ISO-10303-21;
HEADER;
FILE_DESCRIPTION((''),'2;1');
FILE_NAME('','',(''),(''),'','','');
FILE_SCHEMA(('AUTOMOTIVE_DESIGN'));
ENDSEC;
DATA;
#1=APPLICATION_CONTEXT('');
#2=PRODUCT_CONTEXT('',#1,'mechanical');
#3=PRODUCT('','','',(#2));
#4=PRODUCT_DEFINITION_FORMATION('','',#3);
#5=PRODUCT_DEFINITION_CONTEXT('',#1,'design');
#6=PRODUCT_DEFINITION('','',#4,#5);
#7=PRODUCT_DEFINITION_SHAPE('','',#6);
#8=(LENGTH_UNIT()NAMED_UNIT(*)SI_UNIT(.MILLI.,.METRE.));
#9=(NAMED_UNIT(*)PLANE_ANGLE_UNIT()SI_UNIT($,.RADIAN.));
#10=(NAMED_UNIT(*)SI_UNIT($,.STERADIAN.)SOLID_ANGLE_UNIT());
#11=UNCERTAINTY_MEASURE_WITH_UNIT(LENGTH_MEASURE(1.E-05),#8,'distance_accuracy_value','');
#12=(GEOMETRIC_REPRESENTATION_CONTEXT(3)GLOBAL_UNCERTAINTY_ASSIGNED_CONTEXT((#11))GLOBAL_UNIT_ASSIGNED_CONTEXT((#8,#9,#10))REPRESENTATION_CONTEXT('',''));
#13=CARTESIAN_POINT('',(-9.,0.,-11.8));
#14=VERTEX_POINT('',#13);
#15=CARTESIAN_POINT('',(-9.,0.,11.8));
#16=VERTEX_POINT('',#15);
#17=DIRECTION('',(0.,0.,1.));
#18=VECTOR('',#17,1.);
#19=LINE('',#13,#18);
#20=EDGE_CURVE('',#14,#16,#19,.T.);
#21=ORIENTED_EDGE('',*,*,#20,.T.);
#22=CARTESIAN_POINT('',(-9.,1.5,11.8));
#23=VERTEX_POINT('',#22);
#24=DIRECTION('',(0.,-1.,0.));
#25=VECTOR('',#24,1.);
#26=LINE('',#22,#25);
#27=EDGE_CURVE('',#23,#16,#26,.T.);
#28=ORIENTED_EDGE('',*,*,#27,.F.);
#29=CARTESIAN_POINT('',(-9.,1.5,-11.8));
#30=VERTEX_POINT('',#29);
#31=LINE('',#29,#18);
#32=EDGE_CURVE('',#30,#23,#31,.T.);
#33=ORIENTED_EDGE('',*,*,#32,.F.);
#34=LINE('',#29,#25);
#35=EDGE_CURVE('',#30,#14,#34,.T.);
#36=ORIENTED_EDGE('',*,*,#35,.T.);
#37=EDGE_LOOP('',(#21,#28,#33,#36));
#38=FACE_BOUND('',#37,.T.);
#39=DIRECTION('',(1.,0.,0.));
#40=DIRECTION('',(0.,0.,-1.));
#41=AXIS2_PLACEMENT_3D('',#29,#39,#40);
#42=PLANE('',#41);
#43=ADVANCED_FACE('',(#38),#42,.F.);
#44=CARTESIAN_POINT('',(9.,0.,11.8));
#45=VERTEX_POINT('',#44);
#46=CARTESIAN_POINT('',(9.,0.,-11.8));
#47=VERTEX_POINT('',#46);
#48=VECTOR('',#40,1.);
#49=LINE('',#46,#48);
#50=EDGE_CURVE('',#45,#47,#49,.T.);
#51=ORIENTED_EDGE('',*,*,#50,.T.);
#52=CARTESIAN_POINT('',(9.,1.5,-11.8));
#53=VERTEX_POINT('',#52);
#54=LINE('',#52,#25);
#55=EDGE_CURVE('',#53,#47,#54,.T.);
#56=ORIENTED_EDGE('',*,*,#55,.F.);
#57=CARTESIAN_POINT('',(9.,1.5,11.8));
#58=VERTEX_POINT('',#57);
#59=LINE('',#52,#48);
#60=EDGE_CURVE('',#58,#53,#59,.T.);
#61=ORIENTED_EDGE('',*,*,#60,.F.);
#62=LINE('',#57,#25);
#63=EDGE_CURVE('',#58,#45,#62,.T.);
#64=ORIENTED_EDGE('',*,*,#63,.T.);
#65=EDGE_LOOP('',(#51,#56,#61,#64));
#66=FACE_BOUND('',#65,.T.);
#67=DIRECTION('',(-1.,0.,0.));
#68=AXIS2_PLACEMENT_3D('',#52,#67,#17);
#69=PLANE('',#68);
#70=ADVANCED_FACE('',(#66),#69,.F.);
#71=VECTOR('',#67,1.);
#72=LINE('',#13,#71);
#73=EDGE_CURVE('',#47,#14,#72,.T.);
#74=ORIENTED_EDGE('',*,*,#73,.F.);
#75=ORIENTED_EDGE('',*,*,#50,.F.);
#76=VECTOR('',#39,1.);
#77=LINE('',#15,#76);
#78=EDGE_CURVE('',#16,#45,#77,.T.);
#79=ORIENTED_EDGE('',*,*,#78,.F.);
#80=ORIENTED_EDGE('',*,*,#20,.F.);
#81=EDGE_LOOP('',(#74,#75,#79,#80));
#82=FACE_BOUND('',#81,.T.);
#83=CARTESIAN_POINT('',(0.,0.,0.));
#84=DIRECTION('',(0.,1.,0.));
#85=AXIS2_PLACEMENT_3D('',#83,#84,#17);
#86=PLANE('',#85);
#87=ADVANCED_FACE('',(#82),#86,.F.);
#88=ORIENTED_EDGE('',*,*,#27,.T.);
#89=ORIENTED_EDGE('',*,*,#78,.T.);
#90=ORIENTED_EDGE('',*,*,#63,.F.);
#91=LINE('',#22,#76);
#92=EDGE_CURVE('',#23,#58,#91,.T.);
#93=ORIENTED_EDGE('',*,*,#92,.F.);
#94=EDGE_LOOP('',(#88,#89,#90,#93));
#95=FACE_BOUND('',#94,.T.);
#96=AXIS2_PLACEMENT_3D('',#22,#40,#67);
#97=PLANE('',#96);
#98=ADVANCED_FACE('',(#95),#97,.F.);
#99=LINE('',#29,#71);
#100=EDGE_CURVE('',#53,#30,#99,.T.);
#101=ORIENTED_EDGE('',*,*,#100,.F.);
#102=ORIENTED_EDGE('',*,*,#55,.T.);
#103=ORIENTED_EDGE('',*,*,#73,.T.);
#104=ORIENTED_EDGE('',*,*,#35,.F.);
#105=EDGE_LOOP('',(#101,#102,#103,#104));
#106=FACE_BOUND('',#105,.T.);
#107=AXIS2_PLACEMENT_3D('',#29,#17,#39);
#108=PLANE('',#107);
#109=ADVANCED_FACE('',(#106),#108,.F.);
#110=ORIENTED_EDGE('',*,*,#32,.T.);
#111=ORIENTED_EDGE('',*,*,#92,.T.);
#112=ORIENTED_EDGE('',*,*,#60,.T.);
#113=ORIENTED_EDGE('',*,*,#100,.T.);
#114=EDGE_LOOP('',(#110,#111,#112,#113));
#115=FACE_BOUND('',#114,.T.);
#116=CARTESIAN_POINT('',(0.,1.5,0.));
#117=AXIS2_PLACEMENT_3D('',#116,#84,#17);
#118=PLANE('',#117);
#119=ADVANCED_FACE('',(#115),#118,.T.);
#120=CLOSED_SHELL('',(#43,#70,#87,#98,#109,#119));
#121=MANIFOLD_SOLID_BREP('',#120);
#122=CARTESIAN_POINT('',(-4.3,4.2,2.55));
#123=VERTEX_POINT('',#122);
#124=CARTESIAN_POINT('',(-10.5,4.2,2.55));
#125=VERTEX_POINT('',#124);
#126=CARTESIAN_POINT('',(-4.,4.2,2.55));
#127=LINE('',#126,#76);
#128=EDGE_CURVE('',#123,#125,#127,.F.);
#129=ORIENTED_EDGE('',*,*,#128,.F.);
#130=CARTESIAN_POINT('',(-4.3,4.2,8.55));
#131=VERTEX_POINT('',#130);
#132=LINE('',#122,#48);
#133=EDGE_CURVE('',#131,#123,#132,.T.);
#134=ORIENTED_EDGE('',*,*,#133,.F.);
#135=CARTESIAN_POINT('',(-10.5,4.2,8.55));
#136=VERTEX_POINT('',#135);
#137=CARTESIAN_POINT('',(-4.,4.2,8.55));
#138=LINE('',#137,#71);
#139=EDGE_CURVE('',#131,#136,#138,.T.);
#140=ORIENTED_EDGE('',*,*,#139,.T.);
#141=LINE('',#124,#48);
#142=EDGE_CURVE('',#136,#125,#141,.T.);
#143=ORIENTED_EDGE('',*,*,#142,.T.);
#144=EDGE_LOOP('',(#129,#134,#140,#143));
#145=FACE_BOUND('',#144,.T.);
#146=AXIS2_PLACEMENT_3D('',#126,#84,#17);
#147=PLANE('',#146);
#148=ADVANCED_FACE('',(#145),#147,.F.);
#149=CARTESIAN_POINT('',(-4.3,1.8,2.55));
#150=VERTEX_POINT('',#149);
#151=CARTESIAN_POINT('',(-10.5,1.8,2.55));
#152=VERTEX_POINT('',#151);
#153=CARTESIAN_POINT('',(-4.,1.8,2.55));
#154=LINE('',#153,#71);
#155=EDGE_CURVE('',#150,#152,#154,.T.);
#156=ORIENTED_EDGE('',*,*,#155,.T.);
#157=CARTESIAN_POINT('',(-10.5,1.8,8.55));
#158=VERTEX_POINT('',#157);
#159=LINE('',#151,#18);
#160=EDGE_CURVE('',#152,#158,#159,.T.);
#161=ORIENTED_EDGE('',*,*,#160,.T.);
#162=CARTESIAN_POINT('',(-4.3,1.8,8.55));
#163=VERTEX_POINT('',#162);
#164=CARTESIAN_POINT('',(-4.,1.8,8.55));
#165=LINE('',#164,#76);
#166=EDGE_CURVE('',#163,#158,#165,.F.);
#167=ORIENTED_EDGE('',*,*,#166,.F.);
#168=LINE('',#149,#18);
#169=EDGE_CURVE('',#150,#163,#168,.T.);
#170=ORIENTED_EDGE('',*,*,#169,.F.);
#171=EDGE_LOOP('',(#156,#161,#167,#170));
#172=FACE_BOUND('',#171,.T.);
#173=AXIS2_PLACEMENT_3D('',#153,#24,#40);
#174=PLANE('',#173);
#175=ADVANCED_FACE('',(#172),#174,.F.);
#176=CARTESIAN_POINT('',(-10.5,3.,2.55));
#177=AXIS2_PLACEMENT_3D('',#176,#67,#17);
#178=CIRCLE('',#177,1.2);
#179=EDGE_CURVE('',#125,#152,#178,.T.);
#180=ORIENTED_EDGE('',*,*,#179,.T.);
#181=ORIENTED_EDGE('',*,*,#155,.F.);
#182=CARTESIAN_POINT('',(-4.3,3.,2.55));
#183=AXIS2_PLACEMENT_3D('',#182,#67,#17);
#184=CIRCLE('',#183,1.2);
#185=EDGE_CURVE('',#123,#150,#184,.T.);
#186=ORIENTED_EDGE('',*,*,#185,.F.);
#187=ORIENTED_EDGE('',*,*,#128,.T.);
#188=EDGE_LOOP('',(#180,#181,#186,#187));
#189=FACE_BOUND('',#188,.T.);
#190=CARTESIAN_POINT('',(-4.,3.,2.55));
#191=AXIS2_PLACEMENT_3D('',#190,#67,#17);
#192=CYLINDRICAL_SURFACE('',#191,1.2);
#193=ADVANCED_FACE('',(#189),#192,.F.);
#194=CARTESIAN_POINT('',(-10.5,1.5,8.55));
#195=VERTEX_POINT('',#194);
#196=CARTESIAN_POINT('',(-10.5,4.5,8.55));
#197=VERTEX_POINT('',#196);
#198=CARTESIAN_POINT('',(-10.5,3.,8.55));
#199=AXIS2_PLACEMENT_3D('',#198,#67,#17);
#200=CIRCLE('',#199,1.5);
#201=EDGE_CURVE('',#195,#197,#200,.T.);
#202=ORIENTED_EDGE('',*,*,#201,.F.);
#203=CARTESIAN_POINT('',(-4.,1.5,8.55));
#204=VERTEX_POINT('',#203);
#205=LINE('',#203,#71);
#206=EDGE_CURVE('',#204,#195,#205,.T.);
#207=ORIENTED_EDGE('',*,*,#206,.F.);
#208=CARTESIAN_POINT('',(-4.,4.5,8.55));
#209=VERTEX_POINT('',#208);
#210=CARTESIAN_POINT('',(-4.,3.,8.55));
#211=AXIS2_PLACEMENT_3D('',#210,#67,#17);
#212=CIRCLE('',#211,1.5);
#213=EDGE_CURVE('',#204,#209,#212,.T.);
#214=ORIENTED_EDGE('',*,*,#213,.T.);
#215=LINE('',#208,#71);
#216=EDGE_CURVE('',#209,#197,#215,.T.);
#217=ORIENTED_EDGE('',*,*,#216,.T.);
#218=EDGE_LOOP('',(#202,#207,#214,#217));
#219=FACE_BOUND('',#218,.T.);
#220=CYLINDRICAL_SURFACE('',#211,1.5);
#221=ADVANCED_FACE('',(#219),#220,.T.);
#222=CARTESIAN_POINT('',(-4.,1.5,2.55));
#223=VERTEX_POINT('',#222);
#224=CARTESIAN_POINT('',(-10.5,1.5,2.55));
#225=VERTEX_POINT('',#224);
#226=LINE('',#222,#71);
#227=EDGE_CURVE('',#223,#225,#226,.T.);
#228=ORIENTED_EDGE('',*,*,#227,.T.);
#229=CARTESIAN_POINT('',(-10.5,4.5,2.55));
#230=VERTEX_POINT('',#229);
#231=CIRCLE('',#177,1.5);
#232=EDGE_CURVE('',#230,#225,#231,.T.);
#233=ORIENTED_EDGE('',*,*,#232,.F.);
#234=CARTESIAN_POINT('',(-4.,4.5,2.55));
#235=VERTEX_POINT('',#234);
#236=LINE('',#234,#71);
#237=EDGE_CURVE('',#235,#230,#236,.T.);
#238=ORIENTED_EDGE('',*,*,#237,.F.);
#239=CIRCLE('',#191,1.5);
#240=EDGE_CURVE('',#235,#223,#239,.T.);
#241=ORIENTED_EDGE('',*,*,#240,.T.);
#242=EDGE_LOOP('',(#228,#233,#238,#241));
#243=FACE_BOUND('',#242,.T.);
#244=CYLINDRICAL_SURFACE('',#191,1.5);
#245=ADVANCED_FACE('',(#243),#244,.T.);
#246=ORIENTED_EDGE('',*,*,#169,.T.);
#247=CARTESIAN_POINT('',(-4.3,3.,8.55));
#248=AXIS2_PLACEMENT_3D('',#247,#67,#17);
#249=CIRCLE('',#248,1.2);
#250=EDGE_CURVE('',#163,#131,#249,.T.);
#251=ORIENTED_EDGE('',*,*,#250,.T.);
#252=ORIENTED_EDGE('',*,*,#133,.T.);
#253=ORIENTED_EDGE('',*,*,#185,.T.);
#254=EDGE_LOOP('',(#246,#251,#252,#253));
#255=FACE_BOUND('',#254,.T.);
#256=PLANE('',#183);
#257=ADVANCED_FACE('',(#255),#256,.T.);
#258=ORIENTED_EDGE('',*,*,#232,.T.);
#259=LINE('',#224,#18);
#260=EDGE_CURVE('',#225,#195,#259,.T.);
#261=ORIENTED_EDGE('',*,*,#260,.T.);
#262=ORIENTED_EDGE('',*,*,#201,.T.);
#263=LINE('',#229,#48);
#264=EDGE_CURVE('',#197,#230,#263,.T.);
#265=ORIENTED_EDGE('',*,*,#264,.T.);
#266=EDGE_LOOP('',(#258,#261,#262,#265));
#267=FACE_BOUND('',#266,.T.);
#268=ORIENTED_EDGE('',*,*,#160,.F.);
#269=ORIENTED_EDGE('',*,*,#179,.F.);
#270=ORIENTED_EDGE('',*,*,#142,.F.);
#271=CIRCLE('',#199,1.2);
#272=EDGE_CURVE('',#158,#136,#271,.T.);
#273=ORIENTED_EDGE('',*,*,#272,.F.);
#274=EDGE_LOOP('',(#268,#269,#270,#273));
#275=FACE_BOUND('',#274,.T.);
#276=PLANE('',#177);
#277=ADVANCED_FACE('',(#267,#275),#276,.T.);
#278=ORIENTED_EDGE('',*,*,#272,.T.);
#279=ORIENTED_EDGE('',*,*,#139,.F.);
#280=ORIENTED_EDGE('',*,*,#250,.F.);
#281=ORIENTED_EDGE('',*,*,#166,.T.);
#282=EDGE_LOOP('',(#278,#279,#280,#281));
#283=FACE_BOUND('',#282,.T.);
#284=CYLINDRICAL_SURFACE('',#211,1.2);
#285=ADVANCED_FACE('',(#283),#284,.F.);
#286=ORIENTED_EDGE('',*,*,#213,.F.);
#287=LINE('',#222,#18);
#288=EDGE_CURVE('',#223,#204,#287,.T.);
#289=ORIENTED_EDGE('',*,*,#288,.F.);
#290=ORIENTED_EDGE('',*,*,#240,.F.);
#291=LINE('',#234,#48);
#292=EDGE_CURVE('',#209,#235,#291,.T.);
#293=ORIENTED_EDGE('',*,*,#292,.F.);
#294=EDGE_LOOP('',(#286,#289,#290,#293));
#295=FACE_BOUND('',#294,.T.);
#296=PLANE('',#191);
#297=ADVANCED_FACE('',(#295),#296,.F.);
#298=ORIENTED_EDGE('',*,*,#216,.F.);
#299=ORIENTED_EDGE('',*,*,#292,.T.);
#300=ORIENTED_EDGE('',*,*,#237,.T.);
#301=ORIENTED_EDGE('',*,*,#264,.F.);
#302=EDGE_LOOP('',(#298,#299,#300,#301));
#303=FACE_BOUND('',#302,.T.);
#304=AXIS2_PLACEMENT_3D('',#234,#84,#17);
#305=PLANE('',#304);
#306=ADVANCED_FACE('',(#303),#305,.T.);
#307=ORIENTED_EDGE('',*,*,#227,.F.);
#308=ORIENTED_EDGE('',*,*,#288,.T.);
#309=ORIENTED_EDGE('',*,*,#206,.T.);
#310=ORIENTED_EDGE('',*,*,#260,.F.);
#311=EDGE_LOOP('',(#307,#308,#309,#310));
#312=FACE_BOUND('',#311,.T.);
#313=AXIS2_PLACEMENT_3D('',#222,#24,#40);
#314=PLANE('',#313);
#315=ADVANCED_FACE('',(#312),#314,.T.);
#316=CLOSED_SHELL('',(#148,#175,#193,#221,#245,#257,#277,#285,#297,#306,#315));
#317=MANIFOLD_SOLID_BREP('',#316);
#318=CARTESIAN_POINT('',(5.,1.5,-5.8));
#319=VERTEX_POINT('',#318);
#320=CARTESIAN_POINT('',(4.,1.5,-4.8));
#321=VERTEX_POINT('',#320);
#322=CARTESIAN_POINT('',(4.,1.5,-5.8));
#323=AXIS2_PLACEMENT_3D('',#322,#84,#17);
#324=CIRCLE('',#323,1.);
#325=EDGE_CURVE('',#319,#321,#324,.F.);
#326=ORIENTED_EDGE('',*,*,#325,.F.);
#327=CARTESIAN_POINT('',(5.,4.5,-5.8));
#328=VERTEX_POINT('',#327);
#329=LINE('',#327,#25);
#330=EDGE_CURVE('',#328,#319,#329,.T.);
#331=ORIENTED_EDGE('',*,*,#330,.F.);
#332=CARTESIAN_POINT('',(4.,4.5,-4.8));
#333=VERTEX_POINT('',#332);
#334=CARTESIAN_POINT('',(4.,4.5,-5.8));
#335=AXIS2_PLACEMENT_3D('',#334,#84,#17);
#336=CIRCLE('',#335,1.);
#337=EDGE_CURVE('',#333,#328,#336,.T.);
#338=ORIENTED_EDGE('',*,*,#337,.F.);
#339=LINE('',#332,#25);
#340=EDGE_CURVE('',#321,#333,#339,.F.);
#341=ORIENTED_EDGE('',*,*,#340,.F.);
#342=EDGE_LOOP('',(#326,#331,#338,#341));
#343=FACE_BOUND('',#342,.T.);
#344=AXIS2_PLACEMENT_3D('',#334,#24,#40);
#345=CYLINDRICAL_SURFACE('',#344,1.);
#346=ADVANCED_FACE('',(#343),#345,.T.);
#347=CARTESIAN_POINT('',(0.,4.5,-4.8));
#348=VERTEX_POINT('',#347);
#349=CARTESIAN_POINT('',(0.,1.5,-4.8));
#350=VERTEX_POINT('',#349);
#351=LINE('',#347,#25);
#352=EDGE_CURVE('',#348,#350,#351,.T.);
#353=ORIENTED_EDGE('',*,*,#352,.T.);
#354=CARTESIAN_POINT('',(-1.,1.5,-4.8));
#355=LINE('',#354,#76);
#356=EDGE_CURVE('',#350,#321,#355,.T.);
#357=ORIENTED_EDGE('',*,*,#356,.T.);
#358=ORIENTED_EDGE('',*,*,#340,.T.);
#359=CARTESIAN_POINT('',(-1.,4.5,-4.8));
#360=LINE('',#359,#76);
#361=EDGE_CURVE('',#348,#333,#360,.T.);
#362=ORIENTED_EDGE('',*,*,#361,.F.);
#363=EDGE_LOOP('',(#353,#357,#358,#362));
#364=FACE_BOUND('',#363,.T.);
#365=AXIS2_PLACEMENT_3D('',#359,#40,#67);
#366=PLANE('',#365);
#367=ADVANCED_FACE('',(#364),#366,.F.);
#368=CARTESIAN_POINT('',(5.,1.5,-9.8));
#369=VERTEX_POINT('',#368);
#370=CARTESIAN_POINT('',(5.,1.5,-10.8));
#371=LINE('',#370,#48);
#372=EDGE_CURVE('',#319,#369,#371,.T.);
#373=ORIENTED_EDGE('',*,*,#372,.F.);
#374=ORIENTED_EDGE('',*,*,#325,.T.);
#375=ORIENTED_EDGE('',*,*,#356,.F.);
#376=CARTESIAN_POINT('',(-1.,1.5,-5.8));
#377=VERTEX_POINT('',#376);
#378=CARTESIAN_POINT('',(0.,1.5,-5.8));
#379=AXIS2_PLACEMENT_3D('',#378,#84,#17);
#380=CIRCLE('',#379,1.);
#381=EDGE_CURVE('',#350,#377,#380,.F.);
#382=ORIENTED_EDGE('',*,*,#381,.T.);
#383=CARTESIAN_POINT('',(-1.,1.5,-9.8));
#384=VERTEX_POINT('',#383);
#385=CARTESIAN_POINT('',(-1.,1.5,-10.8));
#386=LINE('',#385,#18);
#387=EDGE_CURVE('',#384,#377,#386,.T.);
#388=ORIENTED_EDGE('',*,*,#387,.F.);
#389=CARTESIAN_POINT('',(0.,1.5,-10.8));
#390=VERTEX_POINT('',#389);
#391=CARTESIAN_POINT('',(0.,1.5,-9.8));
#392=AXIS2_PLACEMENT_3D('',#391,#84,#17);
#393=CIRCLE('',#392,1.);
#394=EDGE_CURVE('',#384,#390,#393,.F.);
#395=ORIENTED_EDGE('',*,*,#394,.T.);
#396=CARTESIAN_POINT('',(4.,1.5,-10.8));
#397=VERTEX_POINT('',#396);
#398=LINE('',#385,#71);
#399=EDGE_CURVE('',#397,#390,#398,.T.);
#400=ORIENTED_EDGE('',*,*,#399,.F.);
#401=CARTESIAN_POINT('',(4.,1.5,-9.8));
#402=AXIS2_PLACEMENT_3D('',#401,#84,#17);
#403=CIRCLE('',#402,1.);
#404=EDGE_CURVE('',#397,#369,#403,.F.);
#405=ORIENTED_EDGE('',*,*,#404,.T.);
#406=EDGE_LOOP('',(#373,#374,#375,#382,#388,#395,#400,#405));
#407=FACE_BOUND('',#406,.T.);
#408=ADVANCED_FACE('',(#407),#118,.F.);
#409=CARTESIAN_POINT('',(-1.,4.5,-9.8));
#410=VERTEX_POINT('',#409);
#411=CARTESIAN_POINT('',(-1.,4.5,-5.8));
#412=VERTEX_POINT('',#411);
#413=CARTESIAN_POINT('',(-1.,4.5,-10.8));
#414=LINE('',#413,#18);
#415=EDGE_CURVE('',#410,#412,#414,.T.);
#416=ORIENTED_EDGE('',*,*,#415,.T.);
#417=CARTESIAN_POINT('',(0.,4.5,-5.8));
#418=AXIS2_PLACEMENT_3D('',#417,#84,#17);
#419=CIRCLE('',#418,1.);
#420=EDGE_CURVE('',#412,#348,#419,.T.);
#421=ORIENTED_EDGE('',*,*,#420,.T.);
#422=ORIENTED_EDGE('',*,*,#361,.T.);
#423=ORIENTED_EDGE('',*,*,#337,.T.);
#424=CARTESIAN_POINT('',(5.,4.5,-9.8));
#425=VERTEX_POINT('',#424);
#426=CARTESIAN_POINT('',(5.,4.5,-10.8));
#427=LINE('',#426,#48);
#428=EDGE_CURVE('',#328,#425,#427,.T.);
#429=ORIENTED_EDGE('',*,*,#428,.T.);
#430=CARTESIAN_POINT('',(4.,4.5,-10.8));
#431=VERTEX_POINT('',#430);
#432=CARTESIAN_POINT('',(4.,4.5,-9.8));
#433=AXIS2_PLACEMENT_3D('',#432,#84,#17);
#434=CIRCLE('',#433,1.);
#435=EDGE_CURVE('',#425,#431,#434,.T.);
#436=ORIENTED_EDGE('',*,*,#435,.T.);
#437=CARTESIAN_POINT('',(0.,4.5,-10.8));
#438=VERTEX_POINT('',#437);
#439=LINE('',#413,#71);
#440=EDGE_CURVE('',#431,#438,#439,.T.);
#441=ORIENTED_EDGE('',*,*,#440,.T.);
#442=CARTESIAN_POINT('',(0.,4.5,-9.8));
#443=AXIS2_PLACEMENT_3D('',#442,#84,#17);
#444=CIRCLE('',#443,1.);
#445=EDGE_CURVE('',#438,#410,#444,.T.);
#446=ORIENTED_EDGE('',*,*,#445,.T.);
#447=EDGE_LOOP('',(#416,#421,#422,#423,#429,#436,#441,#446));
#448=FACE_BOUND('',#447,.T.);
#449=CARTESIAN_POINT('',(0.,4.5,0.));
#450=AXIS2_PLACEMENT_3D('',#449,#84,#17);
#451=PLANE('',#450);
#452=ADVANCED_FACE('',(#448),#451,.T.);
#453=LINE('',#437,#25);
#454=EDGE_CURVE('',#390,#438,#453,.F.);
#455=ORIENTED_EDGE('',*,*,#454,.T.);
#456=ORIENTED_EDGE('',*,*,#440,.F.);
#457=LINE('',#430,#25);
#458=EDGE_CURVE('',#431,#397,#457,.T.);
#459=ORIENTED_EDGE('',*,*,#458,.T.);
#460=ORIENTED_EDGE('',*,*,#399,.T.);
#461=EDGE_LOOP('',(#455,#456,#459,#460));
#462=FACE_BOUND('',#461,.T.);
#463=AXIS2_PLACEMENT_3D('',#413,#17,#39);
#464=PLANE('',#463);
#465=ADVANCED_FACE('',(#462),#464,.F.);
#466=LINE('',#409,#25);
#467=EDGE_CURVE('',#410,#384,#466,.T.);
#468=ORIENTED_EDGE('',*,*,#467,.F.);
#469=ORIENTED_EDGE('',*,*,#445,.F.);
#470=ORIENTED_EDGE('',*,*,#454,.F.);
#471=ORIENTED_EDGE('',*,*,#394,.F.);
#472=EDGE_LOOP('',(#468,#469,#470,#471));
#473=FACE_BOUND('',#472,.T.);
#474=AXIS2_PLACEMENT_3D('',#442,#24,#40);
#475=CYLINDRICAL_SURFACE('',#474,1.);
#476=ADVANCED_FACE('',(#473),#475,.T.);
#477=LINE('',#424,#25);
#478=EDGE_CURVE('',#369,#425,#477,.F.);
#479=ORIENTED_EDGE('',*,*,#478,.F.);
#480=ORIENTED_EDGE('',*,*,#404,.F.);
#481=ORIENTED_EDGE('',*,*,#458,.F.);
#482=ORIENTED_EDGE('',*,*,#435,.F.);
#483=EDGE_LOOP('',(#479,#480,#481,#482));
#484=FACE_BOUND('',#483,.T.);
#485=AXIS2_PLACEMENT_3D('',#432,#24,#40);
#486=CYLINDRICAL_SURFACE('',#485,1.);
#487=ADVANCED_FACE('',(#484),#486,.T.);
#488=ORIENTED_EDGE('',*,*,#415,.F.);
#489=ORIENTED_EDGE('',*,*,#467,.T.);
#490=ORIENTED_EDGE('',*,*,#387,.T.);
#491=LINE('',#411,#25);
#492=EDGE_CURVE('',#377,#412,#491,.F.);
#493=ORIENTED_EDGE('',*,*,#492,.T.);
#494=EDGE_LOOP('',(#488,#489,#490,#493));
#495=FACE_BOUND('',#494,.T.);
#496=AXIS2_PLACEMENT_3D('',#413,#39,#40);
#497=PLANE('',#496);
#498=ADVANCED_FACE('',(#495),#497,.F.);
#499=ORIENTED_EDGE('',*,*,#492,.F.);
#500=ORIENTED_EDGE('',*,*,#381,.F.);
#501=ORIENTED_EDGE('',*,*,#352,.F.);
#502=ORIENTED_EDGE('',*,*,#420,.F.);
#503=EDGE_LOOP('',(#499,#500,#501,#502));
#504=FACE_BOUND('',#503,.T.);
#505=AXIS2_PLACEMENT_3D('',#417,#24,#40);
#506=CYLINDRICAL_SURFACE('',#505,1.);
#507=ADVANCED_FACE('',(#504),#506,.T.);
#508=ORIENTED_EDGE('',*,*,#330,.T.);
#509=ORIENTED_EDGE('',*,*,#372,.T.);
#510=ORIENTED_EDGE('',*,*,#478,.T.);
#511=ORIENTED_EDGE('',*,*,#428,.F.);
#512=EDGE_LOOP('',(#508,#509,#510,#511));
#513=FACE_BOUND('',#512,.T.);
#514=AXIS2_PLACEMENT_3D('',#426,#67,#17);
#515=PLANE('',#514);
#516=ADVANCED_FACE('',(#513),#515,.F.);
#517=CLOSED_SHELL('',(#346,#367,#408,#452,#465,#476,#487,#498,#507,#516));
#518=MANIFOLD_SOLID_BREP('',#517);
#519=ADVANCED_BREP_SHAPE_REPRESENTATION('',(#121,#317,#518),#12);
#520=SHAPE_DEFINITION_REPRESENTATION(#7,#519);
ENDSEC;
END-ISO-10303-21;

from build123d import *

# Parameters (mm, degrees)
SKETCH1_W                = 18
SKETCH1_H                = 23.6
BOSS_EXTRUDE1_DEPTH      = 1.5
BOSS_EXTRUDE2_DEPTH      = 1.5
BOSS_EXTRUDE2_DEPTH_BACK = 5
SHELL1_T                 = -0.3
SKETCH4_W                = 6
SKETCH4_H                = 6
BOSS_EXTRUDE3_DEPTH      = 3
FILLET1_R                = 1


with BuildPart() as part:
    # Sketch1 → Boss-Extrude1 (new body)
    with BuildSketch(Plane(origin=(0, 0, 0), x_dir=(1, 0, 0), z_dir=(0, 1, 0))):
        Rectangle(SKETCH1_W, SKETCH1_H)
    extrude(amount=BOSS_EXTRUDE1_DEPTH)


with BuildPart() as body_2:
    # Sketch3 → Boss-Extrude2 (new, two sides: drawn at the far end of the back side and taken through both)
    with BuildSketch(Plane.ZY.offset(9).offset(-BOSS_EXTRUDE2_DEPTH_BACK)):
        with BuildLine():
            Line((2.55, 4.5), (8.55, 4.5))
            ThreePointArc((8.55, 4.5), (10.05, 3), (8.55, 1.5))
            Line((8.55, 1.5), (2.55, 1.5))
            ThreePointArc((2.55, 1.5), (1.05, 3), (2.55, 4.5))
        make_face()
    extrude(amount=BOSS_EXTRUDE2_DEPTH + BOSS_EXTRUDE2_DEPTH_BACK)

    # Shell1
    shell1_openings = [body_2.faces().sort_by_distance(p)[0] for p in [
        (-10.5, 3, 5.55),
    ]]
    offset(amount=SHELL1_T, openings=shell1_openings, kind=Kind.INTERSECTION)


with BuildPart() as body_3:
    # Sketch4 → Boss-Extrude3 (new body)
    with BuildSketch(Plane(origin=(0, 1.5, 0), x_dir=(1, 0, 0), z_dir=(0, 1, 0))):
        with Locations((2, 7.8)):
            Rectangle(SKETCH4_W, SKETCH4_H)
    extrude(amount=BOSS_EXTRUDE3_DEPTH)

    # Fillet1
    fillet1_edges = [body_3.edges().sort_by_distance(p)[0] for p in [
        (-1, 3, -10.8),
        (5, 3, -10.8),
        (5, 3, -4.8),
        (-1, 3, -4.8),
    ]]
    fillet(fillet1_edges, radius=FILLET1_R)


solid = Compound([part.part, body_2.part, body_3.part])
